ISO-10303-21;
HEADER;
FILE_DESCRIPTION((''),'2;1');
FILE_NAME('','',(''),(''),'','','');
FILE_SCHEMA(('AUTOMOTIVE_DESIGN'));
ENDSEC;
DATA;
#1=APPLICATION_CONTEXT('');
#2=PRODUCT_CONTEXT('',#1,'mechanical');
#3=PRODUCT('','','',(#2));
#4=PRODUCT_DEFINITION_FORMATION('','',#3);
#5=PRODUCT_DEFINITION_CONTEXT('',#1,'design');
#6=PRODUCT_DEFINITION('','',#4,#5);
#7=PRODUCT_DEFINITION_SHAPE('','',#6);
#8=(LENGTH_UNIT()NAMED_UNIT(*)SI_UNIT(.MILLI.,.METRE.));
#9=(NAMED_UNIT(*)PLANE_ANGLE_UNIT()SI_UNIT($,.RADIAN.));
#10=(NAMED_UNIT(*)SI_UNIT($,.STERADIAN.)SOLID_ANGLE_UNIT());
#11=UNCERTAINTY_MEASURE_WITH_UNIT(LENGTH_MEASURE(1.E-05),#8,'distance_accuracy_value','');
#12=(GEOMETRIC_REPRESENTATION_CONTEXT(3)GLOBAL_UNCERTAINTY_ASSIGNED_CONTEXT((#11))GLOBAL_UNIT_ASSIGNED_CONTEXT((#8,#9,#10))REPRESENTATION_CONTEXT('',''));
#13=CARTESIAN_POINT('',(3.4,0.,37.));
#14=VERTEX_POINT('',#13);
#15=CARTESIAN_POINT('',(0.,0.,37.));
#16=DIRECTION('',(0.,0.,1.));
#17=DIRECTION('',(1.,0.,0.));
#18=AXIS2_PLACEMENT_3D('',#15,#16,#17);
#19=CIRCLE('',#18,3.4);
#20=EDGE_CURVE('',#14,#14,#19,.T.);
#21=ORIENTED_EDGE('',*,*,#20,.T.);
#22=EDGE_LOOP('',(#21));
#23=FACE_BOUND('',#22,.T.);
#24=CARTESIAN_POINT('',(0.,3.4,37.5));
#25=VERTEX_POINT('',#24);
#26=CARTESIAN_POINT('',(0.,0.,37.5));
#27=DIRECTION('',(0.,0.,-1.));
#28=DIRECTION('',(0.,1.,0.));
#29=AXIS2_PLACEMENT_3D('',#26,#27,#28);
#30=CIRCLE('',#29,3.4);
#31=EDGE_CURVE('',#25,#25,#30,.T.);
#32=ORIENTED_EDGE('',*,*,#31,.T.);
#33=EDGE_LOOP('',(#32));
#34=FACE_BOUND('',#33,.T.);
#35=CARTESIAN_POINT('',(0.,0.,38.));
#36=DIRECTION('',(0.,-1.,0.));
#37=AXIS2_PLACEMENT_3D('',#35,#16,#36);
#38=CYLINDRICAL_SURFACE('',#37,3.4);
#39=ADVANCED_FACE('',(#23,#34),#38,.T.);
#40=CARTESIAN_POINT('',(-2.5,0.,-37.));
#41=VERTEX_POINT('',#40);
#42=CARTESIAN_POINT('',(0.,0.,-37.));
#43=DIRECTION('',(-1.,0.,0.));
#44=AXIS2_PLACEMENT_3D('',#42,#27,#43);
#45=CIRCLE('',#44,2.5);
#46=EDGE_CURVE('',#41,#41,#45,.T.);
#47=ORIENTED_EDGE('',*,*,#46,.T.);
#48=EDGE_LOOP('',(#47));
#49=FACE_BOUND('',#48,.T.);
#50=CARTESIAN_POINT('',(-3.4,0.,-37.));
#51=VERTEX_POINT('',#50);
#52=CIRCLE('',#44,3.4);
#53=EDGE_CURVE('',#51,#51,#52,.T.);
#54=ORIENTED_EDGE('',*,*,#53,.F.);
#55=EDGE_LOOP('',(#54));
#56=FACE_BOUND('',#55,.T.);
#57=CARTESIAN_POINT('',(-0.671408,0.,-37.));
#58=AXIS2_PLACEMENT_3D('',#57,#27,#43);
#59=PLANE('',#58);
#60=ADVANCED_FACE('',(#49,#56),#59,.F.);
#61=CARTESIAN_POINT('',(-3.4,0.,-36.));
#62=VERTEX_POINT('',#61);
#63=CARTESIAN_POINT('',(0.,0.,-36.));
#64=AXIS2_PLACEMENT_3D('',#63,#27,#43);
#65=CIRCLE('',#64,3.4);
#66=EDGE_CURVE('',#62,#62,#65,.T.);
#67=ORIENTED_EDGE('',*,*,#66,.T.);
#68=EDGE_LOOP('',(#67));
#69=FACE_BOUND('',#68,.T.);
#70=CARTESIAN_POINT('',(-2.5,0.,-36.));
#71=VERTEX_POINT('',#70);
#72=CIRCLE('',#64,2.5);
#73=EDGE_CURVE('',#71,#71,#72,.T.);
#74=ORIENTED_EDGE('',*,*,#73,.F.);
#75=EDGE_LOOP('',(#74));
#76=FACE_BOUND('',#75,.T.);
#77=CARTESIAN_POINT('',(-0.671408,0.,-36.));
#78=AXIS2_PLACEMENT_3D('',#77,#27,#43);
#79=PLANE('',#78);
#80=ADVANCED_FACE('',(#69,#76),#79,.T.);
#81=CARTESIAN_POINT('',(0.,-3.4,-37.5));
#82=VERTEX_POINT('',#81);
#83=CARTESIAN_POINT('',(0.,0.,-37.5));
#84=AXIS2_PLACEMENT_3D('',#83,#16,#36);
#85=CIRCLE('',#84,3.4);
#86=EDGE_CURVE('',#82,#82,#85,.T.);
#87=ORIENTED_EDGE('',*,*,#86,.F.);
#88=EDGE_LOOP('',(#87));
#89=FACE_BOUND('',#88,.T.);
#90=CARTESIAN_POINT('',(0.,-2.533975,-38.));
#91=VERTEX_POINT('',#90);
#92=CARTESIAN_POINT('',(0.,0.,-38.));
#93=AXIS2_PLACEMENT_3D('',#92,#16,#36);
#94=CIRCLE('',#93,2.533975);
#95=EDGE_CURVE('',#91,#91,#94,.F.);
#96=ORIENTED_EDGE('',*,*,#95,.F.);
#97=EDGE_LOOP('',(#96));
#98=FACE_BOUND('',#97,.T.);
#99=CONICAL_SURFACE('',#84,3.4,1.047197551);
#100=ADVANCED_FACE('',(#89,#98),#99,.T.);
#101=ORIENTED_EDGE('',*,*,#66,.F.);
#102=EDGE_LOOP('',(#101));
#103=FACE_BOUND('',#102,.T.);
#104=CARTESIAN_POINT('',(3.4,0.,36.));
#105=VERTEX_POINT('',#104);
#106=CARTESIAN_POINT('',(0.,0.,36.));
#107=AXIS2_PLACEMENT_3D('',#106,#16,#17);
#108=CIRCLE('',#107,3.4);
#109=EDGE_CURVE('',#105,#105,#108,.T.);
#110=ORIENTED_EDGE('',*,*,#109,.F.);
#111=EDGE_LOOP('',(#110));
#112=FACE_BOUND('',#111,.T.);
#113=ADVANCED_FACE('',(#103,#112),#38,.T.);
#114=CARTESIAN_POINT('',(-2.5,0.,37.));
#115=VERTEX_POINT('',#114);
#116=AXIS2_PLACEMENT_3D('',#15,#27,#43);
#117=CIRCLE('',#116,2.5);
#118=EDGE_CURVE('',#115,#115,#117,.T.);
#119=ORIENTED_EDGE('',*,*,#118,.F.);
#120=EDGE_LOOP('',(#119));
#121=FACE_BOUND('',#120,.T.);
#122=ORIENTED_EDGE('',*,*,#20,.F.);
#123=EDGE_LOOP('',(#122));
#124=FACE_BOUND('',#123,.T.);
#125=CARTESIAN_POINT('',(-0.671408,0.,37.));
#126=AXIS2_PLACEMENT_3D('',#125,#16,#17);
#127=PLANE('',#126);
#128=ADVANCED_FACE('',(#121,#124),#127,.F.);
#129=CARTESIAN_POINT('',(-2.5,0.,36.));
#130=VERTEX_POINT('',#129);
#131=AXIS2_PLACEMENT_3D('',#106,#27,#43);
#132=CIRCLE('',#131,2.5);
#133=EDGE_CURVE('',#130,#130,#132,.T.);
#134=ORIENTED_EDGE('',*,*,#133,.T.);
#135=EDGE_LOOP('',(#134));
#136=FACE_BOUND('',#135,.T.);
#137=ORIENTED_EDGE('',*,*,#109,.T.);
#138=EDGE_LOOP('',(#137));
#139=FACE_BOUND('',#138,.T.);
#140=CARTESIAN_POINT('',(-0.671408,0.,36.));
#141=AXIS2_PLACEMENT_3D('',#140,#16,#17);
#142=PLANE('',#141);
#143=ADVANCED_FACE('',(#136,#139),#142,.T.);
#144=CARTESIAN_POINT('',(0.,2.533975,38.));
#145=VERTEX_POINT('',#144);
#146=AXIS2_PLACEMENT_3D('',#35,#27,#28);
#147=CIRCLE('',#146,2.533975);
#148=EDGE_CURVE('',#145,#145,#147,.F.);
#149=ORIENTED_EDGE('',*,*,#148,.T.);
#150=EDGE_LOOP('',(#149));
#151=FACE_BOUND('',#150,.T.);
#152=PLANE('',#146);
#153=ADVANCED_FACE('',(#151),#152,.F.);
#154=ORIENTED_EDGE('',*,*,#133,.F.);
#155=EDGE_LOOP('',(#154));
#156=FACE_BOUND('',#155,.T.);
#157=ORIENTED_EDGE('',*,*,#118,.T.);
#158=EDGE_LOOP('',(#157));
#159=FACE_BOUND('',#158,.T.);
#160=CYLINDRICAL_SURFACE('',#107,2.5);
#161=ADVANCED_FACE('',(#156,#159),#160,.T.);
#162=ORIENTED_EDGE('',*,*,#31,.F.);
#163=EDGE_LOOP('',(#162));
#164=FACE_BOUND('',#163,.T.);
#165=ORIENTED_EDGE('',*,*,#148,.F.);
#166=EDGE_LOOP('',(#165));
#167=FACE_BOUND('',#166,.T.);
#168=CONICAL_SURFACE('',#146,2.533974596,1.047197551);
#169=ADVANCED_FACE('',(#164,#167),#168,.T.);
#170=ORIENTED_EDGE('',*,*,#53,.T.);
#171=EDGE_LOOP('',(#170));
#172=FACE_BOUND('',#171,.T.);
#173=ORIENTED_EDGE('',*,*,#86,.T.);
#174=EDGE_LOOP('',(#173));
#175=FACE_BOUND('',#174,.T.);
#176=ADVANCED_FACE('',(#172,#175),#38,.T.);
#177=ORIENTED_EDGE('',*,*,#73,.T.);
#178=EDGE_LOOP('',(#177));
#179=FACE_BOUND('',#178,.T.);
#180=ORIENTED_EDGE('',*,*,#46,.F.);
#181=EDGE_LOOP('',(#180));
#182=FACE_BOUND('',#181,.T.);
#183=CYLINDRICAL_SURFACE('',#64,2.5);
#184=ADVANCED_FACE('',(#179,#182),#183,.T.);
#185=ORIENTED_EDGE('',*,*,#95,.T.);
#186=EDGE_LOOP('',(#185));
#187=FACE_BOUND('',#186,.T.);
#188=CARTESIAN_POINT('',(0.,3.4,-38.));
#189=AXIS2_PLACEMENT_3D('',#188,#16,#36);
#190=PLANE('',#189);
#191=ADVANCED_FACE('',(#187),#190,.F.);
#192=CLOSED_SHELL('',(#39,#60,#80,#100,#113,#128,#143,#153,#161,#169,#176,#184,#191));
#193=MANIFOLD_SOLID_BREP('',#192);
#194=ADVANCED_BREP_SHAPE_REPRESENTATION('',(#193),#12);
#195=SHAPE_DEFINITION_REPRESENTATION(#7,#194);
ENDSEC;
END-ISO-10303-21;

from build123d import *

# Parameters (mm, degrees)
CHAMFER1_SIZE      = 0.5
CHAMFER1_SIZE2     = 0.866025404
CUT_EXTRUDE1_START = -1
SKETCH2_OUTSIDE_W  = 24.122
SKETCH2_OUTSIDE_H  = 24.122
SKETCH2_OUTSIDE_R  = 2.5
CUT_EXTRUDE1_DEPTH = 1


with BuildPart() as part:
    # Sketch1 → Revolve1 (revolve)
    with BuildSketch(Plane(origin=(0, 0, 0), x_dir=(0, 0, -1), z_dir=(1, 0, 0)), mode=Mode.PRIVATE) as revolve1_sk:
        Polygon((-38, 0), (-38, 3.4), (2.432191781, 3.4), (38, 3.4), (38, 0), align=None)
    revolve(revolve1_sk.sketch.rotate(Axis((0, 0, 38), (0, 0, -1)), 180), axis=Axis((0, 0, 38), (0, 0, -1)))

    # Chamfer1
    chamfer1_edges = [part.edges().sort_by_distance(p)[0] for p in [
        (0, 3.4, -38),
        (0, 3.4, 38),
    ]]
    chamfer1_side = [part.faces().sort_by_distance(p)[0] for p in [
        (0, 3.4, 0),
    ]]
    chamfer(chamfer1_edges, length=CHAMFER1_SIZE, length2=CHAMFER1_SIZE2, reference=chamfer1_side[0])

    # Sketch2 outside → Cut-Extrude1 (cut)
    with BuildSketch(Plane(origin=(0, 0, -38), x_dir=(-1, 0, 0), z_dir=(0, 0, -1)).offset(CUT_EXTRUDE1_START)):
        Rectangle(SKETCH2_OUTSIDE_W, SKETCH2_OUTSIDE_H)
        Circle(SKETCH2_OUTSIDE_R, mode=Mode.SUBTRACT)
    cut_extrude1 = extrude(amount=-CUT_EXTRUDE1_DEPTH, mode=Mode.SUBTRACT)

    # Mirror1: Cut-Extrude1 across plane
    add(cut_extrude1.mirror(Plane.XY), mode=Mode.SUBTRACT)


solid = part.part
